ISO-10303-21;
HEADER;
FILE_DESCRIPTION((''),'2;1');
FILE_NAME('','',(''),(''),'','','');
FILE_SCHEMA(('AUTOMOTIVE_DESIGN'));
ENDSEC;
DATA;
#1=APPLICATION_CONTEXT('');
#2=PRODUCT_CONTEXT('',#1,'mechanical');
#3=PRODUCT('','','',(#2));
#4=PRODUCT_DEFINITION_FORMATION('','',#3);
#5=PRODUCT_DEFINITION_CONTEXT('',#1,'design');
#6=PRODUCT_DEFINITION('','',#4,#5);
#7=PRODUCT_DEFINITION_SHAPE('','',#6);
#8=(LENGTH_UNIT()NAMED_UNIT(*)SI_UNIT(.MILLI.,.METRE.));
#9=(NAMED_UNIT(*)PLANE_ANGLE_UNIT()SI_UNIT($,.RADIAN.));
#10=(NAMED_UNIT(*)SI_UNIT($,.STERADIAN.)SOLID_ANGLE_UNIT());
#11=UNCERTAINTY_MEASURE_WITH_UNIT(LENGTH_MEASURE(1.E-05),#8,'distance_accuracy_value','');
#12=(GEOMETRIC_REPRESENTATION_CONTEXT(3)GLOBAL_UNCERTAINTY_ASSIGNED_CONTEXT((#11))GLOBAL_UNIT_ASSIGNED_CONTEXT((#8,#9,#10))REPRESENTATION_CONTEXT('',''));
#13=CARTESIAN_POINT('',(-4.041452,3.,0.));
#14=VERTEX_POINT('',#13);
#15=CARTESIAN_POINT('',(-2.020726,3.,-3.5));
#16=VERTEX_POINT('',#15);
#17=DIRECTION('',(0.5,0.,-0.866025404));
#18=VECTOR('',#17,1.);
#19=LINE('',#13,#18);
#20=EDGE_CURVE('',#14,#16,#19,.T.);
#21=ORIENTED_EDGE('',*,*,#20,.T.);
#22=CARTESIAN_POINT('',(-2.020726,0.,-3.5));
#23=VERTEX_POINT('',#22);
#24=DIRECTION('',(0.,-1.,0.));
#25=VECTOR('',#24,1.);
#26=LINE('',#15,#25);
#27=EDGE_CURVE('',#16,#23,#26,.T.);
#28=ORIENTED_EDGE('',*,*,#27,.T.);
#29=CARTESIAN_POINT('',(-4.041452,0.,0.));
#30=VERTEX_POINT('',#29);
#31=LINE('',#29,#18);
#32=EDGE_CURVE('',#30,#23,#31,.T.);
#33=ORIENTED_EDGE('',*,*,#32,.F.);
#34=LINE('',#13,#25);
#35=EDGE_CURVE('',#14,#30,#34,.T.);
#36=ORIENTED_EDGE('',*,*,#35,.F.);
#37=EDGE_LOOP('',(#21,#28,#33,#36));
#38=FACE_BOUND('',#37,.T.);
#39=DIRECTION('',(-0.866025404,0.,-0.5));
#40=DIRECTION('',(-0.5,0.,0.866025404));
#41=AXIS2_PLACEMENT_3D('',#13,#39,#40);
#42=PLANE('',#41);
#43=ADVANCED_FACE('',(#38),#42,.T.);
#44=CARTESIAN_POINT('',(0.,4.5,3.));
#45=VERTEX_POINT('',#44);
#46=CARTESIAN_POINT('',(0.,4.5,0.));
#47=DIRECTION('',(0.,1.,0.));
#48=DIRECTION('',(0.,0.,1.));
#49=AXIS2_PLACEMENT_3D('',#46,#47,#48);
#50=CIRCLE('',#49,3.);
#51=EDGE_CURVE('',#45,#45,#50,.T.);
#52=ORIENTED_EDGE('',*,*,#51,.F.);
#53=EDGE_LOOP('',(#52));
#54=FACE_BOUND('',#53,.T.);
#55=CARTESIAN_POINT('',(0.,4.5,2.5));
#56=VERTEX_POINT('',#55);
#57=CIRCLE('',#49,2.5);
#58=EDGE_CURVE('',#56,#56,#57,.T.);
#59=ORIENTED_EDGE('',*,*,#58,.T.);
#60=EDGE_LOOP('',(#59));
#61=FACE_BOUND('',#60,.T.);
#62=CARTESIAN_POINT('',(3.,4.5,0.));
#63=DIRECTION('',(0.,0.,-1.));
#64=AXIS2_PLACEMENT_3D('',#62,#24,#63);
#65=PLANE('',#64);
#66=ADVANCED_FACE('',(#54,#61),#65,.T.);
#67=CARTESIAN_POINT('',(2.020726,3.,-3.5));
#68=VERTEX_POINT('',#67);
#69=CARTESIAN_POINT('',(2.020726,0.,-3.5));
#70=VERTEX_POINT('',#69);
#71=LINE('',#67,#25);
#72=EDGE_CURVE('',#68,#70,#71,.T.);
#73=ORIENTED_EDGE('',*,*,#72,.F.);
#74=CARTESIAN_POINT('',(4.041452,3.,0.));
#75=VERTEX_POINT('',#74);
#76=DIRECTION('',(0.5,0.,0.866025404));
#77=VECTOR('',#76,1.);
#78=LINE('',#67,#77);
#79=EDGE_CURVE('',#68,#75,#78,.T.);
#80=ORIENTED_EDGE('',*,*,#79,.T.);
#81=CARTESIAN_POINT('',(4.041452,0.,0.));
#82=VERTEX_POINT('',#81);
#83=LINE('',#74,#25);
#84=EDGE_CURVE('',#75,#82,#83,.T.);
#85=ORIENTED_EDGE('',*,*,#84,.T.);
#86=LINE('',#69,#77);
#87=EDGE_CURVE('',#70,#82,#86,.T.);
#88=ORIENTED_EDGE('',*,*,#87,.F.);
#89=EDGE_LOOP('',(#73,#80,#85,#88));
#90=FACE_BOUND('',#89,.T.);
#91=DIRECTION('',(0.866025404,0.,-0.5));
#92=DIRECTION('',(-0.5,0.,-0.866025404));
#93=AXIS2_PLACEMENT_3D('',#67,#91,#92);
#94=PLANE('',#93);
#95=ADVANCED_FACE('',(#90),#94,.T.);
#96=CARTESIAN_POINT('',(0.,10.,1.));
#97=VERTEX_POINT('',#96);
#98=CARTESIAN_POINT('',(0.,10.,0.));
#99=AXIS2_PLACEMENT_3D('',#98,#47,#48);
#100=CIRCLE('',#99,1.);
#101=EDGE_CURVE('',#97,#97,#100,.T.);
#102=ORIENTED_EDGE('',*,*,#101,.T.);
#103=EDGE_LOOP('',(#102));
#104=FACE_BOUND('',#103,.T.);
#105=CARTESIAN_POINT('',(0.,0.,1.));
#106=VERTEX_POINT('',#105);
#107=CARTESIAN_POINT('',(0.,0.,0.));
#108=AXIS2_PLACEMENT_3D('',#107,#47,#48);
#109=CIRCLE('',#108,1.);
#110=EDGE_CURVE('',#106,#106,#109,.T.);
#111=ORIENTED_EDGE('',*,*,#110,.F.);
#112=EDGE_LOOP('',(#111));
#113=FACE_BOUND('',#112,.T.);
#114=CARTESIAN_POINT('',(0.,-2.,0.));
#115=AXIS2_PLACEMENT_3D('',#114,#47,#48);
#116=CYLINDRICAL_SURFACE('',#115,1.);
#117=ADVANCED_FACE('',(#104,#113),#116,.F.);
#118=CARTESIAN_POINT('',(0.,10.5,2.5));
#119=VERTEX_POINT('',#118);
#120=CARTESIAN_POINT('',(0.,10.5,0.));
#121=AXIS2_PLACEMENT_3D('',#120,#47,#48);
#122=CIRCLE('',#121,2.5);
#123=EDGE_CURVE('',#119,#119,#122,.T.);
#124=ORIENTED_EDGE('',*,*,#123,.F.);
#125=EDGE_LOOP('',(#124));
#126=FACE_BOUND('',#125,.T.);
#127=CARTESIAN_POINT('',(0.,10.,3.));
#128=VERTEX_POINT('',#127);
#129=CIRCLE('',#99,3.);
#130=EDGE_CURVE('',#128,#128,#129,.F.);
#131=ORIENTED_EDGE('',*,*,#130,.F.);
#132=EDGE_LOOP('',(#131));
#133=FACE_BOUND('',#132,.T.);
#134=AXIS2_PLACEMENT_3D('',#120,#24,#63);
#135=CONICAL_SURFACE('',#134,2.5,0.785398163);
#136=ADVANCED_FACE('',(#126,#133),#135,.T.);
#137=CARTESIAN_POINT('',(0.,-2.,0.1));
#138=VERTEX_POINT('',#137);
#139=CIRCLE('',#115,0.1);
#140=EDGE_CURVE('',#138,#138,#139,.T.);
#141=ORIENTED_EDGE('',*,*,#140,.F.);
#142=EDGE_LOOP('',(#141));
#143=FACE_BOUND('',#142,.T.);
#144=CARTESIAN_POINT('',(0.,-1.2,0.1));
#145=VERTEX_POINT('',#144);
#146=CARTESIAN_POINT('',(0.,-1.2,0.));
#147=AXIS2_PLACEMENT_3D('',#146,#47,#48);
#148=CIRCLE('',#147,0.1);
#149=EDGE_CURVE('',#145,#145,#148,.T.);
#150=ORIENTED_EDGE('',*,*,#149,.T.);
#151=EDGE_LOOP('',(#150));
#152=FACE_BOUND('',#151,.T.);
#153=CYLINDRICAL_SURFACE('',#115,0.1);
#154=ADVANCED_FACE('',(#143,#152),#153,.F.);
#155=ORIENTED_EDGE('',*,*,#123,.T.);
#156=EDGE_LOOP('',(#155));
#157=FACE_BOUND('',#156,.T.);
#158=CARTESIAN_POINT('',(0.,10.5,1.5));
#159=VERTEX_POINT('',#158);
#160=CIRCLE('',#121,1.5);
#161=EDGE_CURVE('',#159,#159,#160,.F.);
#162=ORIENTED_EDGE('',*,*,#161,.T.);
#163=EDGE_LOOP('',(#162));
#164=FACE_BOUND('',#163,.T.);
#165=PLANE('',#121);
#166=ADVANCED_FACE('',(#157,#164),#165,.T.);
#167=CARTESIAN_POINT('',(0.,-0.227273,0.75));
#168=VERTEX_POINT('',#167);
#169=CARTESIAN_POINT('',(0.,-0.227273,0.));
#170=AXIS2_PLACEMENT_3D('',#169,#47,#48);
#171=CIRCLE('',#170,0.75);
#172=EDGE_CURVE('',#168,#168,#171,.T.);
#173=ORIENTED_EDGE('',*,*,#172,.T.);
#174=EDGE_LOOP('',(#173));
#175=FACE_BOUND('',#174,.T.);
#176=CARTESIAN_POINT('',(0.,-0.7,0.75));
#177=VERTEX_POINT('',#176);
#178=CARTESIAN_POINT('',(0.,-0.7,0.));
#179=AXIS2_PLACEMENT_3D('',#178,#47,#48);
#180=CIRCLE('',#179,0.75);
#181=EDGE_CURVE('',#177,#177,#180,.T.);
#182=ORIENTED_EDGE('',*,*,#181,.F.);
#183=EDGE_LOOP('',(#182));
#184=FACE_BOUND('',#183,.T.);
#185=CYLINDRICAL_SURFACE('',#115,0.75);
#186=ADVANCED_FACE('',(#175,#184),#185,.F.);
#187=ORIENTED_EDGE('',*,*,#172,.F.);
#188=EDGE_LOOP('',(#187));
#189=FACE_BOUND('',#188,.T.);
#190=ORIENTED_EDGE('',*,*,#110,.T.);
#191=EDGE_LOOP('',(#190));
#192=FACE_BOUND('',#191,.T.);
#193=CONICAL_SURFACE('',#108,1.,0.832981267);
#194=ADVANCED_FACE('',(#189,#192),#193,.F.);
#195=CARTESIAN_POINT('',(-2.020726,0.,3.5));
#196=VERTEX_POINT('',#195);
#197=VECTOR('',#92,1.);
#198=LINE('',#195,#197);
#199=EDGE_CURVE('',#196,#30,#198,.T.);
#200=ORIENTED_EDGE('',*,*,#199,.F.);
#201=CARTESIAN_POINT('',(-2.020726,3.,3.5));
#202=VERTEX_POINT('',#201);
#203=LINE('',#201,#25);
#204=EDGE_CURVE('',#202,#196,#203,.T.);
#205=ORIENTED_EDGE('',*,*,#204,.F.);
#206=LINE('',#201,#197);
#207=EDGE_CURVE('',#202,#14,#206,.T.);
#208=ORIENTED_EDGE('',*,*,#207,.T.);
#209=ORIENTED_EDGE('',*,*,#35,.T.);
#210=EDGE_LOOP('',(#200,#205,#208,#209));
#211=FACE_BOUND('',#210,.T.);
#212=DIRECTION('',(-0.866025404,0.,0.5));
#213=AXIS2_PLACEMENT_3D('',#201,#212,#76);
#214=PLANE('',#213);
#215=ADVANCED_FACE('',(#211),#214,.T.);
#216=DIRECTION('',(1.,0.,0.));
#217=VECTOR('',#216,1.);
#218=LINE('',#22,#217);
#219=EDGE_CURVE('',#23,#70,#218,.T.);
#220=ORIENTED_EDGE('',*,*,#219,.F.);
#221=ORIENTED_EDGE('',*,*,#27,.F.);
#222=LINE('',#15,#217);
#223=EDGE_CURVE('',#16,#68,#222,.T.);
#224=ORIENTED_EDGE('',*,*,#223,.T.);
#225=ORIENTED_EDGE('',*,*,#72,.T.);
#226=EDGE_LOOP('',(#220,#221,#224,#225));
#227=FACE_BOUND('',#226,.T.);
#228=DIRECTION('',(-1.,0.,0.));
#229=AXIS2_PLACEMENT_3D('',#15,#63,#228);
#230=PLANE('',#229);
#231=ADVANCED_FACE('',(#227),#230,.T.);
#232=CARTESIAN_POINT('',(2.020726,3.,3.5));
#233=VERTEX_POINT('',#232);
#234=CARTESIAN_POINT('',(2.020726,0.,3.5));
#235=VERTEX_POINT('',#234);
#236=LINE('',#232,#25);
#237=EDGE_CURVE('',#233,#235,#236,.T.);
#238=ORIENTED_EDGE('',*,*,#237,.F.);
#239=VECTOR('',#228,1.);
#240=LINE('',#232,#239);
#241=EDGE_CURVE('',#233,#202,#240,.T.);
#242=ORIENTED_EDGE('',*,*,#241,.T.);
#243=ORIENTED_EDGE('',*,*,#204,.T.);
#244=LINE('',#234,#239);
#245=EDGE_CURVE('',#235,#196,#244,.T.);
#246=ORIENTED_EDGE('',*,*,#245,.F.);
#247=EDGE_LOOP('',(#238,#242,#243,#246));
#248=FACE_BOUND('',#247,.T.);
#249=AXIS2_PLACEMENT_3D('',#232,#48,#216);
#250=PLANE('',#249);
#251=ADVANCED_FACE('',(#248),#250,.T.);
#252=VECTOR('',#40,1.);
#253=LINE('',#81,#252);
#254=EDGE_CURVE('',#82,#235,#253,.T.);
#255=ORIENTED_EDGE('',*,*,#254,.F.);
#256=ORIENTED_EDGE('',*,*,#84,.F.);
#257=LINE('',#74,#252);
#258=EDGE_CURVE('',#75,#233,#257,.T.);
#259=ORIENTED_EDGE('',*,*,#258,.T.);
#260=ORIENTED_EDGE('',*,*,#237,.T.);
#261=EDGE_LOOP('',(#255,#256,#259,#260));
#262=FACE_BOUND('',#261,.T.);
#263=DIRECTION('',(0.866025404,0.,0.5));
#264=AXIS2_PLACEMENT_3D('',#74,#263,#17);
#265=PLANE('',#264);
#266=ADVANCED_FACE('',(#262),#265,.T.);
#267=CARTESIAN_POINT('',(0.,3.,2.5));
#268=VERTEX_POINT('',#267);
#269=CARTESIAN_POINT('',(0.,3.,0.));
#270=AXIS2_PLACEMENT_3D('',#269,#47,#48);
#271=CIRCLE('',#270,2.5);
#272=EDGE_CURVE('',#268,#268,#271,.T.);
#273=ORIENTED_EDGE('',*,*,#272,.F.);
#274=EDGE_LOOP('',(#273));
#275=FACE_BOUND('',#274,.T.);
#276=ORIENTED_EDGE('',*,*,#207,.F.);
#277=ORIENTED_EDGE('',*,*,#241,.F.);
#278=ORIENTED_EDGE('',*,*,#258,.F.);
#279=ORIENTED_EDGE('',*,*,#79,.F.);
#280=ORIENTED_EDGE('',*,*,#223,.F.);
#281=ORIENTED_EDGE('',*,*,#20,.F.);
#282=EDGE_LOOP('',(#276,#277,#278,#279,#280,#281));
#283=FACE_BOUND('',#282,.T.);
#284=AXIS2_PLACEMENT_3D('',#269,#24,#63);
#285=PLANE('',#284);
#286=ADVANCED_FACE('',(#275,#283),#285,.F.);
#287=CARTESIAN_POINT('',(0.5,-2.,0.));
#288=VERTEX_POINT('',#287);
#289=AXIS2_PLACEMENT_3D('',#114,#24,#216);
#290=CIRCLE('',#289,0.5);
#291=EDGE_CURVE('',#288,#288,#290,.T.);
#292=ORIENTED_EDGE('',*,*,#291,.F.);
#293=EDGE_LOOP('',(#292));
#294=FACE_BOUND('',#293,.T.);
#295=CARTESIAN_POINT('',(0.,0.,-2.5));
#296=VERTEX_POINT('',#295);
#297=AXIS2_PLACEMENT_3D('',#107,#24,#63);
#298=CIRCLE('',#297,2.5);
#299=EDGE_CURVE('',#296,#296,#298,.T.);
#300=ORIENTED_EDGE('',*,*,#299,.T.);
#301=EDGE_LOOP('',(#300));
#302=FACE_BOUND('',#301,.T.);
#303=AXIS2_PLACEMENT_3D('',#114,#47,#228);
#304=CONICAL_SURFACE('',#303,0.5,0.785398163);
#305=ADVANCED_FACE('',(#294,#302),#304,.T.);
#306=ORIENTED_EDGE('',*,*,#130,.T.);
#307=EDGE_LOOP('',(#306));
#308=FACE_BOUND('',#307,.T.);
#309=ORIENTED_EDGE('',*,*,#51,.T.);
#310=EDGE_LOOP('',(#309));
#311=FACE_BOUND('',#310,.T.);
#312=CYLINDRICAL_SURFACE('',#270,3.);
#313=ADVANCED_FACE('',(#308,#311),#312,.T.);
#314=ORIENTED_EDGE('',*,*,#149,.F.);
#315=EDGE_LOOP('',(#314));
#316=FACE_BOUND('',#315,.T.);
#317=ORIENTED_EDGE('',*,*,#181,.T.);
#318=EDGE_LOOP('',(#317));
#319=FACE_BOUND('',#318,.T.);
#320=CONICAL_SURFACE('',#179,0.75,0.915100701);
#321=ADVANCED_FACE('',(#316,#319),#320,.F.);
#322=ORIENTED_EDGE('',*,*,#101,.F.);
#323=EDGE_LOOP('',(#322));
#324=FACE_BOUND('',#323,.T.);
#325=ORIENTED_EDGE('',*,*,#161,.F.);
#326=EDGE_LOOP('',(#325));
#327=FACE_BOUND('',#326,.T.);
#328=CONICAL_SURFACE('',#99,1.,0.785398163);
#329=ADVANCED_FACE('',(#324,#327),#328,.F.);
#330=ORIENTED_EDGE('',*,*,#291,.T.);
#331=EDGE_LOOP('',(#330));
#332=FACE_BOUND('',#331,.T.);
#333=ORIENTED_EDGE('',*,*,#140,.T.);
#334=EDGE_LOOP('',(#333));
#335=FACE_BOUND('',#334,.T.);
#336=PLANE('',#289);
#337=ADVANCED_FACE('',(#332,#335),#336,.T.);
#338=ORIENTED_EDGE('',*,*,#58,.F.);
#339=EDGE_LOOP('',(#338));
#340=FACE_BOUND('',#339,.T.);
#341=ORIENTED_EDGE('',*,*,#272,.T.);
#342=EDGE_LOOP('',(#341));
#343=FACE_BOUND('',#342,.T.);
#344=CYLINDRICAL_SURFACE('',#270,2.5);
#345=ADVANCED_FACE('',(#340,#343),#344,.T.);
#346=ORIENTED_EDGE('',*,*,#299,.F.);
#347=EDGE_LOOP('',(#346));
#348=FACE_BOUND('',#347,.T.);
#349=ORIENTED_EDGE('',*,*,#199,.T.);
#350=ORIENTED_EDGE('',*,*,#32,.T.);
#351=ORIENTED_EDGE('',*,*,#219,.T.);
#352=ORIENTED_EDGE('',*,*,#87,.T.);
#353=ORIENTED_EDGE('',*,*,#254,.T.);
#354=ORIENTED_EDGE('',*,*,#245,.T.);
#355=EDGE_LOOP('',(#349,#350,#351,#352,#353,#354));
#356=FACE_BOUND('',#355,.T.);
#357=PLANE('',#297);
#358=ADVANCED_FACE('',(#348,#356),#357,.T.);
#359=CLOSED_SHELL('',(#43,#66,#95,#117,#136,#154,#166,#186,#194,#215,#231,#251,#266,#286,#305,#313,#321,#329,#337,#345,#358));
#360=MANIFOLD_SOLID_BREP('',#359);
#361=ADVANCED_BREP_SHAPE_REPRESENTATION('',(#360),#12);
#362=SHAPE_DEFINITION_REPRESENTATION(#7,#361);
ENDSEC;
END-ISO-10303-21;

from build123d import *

# Parameters (mm, degrees)
BOSS_EXTRUDE1_DEPTH = 3
CHAMFER1_SIZE       = 0.5


with BuildPart() as part:
    # Sketch1 → Boss-Extrude1 (new body)
    with BuildSketch(Plane.XZ):
        Polygon((-2.020725942, 3.5), (-4.041451884, 0), (-2.020725942, -3.5), (2.020725942, -3.5), (4.041451884, 0), (2.020725942, 3.5), align=None)
    extrude(amount=-BOSS_EXTRUDE1_DEPTH)

    # Sketch2 → Revolve1 (revolve)
    with BuildSketch(Plane(origin=(0, 0, 0), x_dir=(-1, 0, 0), z_dir=(0, 0, -1))):
        Polygon((-2.5, 3), (0, 3), (0, 10.5), (-3, 10.5), (-3, 4.5), (-2.5, 4.5), align=None)
    revolve(axis=Axis((0, 3, 0), (0, 1, 0)))

    # Sketch3 → Revolve2 (revolve)
    with BuildSketch(Plane.XY):
        Polygon((2.5, 0), (0, 0), (0, -2), (0.5, -2), align=None)
    revolve(axis=Axis((0, 0, 0), (0, -1, 0)))

    # Sketch4 → Cut-Revolve1 (revolve, cut)
    with BuildSketch(Plane(origin=(0, 0, 0), x_dir=(-1, 0, 0), z_dir=(0, 0, -1))):
        Polygon((-0.1, -2), (0, -2), (0, 10.5), (-1, 10.5), (-1, 0), (-0.75, -0.227272727), (-0.75, -0.7), (-0.1, -1.2), align=None)
    revolve(axis=Axis((0, -2, 0), (0, 1, 0)), mode=Mode.SUBTRACT)

    # Chamfer1
    chamfer1_edges = [part.edges().sort_by_distance(p)[0] for p in [
        (-3, 10.5, 0),
        (-1, 10.5, 0),
    ]]
    chamfer(chamfer1_edges, length=CHAMFER1_SIZE)


solid = part.part
